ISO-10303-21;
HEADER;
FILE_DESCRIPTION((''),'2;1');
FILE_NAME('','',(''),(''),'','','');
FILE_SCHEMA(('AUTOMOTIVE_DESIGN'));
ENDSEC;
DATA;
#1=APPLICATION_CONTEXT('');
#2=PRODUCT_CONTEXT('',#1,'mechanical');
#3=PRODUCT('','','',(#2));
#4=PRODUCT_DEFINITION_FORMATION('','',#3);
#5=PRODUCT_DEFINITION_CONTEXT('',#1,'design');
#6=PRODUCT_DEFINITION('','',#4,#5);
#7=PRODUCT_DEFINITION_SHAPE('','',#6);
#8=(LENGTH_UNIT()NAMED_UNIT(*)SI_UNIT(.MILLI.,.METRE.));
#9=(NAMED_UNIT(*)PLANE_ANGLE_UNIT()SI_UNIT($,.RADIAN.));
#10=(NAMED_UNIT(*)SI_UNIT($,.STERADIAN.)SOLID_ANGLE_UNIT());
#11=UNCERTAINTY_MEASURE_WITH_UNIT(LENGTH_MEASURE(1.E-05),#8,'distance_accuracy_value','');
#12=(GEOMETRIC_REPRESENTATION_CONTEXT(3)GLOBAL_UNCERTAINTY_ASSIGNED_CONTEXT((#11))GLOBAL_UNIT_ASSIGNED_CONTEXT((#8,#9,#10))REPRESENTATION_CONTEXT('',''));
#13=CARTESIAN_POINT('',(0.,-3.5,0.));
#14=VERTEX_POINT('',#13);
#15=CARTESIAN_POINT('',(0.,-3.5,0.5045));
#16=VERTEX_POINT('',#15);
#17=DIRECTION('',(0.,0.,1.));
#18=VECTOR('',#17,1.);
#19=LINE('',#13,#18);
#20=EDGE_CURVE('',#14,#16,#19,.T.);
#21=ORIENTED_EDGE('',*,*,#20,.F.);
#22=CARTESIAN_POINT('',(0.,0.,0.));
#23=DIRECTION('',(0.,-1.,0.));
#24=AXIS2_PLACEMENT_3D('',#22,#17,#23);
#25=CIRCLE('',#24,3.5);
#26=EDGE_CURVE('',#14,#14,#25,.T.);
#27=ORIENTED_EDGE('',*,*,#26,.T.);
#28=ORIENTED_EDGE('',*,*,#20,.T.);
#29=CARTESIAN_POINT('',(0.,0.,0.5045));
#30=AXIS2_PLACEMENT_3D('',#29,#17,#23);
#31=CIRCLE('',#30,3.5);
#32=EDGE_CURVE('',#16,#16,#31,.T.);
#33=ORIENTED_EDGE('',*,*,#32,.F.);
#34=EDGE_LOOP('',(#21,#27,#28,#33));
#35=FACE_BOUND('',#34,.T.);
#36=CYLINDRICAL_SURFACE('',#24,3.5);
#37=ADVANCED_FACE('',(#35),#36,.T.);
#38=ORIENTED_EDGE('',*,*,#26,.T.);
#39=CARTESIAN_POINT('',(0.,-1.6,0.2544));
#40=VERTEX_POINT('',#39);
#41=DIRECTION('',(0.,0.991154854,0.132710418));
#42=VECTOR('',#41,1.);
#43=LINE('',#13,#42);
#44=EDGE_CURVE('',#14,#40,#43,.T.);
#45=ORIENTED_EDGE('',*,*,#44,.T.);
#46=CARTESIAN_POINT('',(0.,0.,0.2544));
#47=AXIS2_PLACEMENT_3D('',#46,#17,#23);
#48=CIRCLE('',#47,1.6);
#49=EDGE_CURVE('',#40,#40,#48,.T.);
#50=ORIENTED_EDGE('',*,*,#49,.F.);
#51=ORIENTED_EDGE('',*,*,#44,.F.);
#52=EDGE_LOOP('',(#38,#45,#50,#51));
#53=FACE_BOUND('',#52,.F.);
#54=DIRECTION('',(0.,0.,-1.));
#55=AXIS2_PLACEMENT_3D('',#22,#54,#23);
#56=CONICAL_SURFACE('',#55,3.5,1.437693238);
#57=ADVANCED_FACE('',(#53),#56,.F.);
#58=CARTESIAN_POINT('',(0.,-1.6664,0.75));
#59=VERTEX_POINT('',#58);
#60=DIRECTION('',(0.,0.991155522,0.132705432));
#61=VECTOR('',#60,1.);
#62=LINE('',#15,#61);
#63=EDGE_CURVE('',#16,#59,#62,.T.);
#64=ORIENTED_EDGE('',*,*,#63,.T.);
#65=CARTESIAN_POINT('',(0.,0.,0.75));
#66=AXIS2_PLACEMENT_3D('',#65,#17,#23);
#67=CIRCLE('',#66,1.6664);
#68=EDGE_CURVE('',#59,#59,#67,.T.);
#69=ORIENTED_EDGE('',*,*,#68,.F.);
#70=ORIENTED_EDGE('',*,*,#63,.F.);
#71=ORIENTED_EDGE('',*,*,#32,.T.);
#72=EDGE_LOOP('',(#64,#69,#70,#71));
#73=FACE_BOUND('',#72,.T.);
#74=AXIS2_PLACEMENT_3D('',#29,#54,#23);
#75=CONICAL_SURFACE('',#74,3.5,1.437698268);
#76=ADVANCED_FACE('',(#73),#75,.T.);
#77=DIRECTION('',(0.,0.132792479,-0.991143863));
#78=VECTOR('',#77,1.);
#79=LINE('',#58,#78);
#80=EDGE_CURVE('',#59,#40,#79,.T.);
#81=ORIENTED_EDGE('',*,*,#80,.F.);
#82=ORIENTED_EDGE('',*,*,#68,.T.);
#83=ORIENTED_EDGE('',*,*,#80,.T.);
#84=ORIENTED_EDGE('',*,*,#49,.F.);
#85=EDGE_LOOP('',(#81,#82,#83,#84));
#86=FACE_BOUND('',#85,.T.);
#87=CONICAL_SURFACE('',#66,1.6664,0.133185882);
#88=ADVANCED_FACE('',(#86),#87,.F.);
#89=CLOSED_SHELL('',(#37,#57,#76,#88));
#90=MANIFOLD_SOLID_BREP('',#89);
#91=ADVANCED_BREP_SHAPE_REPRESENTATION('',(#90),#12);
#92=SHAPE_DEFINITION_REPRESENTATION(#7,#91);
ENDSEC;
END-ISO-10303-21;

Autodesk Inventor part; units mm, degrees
ref_plane "YZ Plane" through (0, 0, 0) normal (1, 0, 0) x (0, 1, 0)
ref_plane "XZ Plane" through (0, 0, 0) normal (0, 1, 0) x (-1, 0, 0)
sketch "Sketch" plane through (0, 0, 0) normal (1, 0, 0) x (0, 1, 0)
  line L0 (-3.5, 0) -> (-3.5, 0.5045)
  line L1 (-3.5, 0.5045) -> (-1.6664, 0.75)
  line L2 (-1.6664, 0.75) -> (-1.6, 0.2544)
  line L3 (-3.5, 0) -> (-1.6, 0.2544)
  line L4 (0, 0) -> (0, 8.521) construction
  dimension "d8" = 3.5
  dimension "d10" = 1.6
  dimension "d11" = 0.75
  dimension "d12" = 0.5
revolve "IDS_BODY" add sketch "Sketch" angle 360 about axis through (0, 0, 0) along (0, 0, 1)
ref_plane "Work Plane1" through (0, 0, 0) normal (1, 0, 0) x (0, 0, 1)
equation "\"d8\" = 0.5 * SD2"
equation "\"d10\" = 0.5 * SD1"
equation "\"d11\" = SH"
equation "\"d12\" = SD"
equation "\"SD1\" = 3.2"
equation "\"SD2\" = 7"
equation "\"SD\" = 0.5"
equation "\"SH\" = 0.75"
equation "\"NND\" = 3"
properties part number "JIS B 1251  - 3 1L" material "Steel, Mild"
